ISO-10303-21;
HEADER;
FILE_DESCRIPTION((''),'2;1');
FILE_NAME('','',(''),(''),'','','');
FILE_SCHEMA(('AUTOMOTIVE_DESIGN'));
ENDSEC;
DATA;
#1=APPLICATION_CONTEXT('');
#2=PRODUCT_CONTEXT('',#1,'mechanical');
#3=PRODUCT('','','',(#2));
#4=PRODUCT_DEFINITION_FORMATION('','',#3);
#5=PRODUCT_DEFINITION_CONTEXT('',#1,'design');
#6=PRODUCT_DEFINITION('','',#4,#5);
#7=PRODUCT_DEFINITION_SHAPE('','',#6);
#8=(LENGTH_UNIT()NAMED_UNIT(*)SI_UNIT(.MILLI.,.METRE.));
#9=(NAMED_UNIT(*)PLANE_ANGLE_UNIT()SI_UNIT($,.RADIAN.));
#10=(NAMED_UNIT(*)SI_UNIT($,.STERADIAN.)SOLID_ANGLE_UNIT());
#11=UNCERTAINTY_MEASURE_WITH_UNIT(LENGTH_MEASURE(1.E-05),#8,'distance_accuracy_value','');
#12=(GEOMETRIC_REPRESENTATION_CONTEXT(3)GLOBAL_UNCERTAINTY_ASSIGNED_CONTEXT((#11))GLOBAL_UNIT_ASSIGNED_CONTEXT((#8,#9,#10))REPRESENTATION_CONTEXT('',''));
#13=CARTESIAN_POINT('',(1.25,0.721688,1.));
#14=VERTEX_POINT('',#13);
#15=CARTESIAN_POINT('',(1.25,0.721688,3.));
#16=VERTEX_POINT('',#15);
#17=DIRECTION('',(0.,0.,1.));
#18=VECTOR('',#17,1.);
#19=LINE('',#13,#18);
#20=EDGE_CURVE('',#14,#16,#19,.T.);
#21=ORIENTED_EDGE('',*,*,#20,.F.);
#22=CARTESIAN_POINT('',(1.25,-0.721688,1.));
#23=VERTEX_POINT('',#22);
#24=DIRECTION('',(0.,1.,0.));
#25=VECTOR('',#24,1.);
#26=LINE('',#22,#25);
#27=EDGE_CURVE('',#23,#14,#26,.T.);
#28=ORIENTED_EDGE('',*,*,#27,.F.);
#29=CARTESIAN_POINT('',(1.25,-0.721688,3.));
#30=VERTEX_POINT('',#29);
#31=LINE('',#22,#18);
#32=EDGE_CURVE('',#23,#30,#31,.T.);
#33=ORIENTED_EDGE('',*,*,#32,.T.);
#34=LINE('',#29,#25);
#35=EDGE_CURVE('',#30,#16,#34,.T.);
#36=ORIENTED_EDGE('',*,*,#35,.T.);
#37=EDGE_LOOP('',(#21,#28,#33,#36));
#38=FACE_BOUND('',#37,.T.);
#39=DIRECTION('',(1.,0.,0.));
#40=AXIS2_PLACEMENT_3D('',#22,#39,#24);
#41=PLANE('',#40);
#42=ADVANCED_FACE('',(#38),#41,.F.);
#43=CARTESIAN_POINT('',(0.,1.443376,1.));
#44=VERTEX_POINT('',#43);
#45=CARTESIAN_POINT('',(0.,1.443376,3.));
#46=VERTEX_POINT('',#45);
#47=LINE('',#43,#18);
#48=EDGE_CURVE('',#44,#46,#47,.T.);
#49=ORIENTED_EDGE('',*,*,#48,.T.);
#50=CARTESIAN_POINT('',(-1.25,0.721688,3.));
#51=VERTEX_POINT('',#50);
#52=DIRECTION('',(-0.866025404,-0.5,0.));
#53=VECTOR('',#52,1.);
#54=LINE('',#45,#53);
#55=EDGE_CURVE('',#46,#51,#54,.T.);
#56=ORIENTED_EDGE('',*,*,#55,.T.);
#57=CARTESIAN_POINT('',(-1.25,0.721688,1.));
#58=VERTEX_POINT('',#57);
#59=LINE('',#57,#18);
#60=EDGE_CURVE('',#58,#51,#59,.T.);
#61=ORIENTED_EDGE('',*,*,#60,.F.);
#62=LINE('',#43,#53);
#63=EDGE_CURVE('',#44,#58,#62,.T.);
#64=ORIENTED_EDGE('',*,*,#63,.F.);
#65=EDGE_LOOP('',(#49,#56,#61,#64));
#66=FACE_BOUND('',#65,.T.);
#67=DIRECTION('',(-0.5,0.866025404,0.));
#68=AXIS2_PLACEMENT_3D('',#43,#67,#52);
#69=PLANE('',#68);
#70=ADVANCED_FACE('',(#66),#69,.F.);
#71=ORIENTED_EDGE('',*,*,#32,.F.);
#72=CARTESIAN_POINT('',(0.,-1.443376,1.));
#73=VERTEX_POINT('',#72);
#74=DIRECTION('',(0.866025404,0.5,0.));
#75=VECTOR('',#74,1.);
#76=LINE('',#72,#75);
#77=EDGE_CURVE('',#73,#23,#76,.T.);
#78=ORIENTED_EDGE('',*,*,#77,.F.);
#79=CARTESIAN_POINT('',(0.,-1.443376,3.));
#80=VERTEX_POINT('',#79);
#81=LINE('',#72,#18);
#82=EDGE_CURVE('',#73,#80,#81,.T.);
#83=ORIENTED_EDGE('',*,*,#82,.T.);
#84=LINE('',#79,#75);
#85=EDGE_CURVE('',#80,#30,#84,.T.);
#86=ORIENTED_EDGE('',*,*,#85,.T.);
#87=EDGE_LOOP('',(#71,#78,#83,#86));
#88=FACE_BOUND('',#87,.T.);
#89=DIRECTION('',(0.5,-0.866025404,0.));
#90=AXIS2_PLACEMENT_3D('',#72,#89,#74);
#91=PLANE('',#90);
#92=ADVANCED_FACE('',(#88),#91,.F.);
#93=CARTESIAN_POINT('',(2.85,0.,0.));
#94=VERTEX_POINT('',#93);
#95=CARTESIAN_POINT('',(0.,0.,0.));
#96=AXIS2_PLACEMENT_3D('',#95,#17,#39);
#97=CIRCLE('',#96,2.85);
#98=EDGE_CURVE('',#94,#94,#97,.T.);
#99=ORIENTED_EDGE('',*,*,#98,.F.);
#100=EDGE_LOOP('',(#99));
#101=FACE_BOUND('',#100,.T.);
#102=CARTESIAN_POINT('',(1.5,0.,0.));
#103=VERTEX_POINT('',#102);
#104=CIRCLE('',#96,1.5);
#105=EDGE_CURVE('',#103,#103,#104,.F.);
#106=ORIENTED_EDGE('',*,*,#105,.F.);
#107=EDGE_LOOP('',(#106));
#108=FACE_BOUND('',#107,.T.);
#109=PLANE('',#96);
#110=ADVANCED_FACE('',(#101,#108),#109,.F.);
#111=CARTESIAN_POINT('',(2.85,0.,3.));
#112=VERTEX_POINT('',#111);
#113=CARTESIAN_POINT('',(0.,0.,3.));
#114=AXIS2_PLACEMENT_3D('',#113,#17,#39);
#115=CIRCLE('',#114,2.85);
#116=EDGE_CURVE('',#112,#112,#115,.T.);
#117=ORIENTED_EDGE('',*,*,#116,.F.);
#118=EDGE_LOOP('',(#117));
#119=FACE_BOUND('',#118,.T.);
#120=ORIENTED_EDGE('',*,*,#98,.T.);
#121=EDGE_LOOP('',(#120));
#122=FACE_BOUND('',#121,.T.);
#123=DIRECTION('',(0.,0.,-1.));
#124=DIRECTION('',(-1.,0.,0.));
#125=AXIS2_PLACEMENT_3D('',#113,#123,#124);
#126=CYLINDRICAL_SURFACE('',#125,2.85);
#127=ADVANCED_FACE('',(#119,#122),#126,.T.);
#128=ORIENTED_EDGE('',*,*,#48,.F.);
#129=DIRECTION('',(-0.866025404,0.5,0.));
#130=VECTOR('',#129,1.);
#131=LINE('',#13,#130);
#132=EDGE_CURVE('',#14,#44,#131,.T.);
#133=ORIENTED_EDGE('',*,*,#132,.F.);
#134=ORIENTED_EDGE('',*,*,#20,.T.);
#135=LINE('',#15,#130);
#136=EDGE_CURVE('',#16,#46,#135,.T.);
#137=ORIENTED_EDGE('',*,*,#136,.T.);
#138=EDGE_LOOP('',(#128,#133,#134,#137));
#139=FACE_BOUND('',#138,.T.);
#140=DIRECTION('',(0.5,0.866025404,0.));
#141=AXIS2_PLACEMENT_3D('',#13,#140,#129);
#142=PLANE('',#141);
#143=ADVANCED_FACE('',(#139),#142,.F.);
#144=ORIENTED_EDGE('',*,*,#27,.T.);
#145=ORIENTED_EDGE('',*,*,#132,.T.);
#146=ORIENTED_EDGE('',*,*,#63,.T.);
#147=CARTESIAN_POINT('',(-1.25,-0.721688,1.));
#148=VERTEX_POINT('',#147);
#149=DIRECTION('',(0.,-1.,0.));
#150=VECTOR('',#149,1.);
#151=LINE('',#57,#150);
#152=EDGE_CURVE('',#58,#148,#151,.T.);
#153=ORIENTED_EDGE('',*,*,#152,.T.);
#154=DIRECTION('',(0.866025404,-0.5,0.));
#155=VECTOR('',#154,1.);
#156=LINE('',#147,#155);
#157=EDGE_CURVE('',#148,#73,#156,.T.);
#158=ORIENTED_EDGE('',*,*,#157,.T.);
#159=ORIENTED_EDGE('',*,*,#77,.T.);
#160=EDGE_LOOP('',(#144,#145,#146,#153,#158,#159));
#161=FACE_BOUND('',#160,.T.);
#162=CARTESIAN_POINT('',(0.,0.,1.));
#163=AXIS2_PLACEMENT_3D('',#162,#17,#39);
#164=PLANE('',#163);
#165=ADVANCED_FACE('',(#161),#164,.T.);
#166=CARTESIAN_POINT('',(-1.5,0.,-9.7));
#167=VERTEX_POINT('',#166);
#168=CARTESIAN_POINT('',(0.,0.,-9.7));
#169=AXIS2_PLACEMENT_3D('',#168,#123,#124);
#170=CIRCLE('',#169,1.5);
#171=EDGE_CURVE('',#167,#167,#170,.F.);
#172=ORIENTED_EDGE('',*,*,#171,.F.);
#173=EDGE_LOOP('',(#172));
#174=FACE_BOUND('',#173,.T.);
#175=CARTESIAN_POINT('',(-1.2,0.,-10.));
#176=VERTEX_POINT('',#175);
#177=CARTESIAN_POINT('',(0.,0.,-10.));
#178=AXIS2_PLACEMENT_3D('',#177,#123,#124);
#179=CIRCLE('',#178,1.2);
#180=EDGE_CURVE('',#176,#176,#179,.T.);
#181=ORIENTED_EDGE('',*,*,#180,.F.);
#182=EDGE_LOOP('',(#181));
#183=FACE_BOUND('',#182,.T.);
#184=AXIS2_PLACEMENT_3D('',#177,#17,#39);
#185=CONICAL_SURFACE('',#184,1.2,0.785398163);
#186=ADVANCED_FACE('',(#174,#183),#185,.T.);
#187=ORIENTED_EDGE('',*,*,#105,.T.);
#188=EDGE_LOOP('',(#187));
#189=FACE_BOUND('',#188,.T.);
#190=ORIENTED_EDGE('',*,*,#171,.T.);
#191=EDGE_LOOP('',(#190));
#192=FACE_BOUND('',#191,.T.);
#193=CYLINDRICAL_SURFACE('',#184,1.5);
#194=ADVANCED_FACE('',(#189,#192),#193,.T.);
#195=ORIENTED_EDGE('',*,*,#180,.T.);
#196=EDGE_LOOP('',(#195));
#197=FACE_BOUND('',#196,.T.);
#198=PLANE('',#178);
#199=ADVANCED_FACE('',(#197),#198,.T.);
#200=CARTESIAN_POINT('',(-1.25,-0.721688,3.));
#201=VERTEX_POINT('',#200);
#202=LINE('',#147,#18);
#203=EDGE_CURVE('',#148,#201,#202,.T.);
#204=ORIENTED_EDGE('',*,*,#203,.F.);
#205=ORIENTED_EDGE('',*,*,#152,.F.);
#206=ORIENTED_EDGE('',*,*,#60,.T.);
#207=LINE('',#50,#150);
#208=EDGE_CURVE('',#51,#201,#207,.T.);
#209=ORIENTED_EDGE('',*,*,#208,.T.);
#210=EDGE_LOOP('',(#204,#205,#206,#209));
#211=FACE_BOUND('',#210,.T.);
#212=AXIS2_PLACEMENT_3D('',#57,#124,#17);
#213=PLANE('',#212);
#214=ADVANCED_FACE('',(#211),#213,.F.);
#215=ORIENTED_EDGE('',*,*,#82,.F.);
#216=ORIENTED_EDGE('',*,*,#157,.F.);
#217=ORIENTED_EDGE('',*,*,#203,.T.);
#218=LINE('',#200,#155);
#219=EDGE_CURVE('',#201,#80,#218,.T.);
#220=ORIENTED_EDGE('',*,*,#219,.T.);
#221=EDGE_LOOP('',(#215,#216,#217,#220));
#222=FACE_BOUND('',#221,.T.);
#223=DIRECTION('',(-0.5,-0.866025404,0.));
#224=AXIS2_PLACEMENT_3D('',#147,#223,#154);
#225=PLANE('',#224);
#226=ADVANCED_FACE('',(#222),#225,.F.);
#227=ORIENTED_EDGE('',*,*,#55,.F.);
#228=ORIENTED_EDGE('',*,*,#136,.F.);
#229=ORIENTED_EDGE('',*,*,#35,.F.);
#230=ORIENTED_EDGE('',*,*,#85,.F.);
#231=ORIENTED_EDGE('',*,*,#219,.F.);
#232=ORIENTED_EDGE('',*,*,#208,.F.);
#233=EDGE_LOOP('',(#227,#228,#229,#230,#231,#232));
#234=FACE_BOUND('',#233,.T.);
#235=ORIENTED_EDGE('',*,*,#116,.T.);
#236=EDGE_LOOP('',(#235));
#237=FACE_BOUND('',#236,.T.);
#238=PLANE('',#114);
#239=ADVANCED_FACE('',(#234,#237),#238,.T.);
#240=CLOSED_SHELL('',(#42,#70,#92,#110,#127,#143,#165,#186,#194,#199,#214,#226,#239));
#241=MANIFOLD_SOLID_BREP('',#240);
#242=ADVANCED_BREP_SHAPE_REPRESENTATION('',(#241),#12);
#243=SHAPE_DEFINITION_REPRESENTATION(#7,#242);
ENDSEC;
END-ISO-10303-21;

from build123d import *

# Parameters (mm, degrees)
SKETCH1_R           = 2.85
BOSS_EXTRUDE1_DEPTH = 3
SKETCH2_R           = 1.5
BOSS_EXTRUDE2_DEPTH = 10
CHAMFER1_SIZE       = 0.3
CUT_EXTRUDE1_DEPTH  = 2


with BuildPart() as part:
    # Sketch1 → Boss-Extrude1 (new body)
    with BuildSketch(Plane.XY):
        Circle(SKETCH1_R)
    extrude(amount=BOSS_EXTRUDE1_DEPTH)

    # Sketch2 → Boss-Extrude2 (add)
    with BuildSketch(Plane(origin=(0, 0, 0), x_dir=(-1, 0, 0), z_dir=(0, 0, -1))):
        Circle(SKETCH2_R)
    extrude(amount=BOSS_EXTRUDE2_DEPTH)

    # Chamfer1
    chamfer1_edges = [part.edges().sort_by_distance(p)[0] for p in [
        (1.5, 0, -10),
    ]]
    chamfer(chamfer1_edges, length=CHAMFER1_SIZE)

    # Sketch3 → Cut-Extrude1 (cut)
    with BuildSketch(Plane.XY.offset(3)):
        Polygon((0, 1.443375673), (-1.25, 0.721687836), (-1.25, -0.721687836), (0, -1.443375673), (1.25, -0.721687836), (1.25, 0.721687836), align=None)
    extrude(amount=-CUT_EXTRUDE1_DEPTH, mode=Mode.SUBTRACT)


solid = part.part
